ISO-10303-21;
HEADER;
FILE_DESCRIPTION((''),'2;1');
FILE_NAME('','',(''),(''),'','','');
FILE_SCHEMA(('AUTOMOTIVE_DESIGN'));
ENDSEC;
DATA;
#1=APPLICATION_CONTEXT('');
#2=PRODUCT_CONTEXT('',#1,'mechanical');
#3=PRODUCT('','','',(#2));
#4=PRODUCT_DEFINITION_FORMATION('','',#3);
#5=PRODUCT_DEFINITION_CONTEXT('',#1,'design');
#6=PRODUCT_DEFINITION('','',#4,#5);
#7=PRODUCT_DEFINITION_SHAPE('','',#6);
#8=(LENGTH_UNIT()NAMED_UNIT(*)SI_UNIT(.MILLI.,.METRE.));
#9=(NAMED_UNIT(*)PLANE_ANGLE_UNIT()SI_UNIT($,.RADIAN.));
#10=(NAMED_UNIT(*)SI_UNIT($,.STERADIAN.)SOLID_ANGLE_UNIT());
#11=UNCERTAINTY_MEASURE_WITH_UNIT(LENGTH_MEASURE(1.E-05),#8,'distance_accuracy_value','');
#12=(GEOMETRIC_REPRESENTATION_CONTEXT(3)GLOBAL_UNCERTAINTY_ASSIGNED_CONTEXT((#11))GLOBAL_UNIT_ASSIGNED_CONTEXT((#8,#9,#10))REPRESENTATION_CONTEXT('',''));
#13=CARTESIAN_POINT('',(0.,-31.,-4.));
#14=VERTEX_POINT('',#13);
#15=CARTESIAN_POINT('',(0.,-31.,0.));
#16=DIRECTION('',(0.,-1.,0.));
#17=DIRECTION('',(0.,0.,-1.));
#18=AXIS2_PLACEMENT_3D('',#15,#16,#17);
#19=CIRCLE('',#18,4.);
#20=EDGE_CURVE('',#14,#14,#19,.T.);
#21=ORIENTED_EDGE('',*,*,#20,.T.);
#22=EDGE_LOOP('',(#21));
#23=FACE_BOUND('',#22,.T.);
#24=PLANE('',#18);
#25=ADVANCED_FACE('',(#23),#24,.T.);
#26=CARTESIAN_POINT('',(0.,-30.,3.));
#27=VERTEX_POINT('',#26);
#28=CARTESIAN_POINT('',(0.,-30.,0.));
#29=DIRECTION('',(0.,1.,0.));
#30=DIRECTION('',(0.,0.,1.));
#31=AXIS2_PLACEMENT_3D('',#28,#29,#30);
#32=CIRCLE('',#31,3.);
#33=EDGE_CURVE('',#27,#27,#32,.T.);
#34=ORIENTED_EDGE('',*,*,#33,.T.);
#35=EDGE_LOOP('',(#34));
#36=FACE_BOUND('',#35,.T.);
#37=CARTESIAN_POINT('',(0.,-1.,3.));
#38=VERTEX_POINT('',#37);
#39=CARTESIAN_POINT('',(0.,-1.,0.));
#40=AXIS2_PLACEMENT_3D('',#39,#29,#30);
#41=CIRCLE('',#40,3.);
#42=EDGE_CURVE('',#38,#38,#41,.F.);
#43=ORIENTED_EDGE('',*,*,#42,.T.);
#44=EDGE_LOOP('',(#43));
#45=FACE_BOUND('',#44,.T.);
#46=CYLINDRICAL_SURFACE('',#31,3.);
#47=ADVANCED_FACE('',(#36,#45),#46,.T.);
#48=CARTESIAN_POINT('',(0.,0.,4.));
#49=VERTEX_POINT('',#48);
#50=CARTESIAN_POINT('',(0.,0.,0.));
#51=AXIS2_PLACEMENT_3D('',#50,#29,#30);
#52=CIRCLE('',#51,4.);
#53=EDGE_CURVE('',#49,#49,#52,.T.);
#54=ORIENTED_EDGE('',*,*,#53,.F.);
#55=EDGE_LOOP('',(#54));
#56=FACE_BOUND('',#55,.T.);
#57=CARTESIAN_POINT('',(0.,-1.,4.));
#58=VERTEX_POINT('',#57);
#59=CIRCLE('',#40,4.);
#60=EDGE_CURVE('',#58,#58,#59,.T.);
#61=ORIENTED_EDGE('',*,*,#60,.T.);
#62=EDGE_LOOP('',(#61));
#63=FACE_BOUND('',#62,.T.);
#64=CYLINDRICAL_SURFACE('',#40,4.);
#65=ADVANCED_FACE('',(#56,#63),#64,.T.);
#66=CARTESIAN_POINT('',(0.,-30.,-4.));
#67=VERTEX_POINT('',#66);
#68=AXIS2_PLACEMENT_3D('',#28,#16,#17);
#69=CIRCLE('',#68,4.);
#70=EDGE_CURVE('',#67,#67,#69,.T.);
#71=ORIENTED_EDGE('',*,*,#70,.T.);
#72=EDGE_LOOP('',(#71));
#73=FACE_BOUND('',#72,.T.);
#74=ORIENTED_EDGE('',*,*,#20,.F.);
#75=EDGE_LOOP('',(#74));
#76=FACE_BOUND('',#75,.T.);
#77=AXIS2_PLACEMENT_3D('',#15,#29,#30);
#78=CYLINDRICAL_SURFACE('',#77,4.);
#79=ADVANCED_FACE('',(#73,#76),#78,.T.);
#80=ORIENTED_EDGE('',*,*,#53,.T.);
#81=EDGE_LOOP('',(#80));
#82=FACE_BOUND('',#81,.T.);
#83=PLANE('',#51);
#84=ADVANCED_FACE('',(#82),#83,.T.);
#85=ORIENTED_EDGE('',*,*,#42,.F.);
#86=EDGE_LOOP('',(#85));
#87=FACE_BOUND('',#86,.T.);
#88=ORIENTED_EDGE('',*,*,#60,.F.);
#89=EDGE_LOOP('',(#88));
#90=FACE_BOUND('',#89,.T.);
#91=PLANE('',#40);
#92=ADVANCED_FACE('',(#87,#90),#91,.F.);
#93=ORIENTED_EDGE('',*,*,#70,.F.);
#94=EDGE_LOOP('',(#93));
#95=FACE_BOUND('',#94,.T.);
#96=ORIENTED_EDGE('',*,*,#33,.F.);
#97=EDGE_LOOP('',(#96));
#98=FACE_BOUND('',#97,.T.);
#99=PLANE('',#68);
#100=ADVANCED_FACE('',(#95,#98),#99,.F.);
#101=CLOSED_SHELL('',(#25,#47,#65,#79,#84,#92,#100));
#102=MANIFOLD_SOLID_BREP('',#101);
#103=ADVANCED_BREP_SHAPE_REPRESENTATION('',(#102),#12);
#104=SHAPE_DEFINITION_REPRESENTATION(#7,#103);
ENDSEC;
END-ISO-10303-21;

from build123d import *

# Parameters (mm, degrees)
SKETCH1_R           = 3
BOSS_EXTRUDE1_DEPTH = 30
SKETCH2_R           = 4
BOSS_EXTRUDE2_DEPTH = 1
SKETCH3_R           = 4
BOSS_EXTRUDE3_DEPTH = 1


with BuildPart() as part:
    # Sketch1 → Boss-Extrude1 (new body)
    with BuildSketch(Plane(origin=(0, 0, 0), x_dir=(1, 0, 0), z_dir=(0, 1, 0))):
        with Locations(Location((0, 0, 0), (0, 0, 270))):
            Circle(SKETCH1_R)
    extrude(amount=-BOSS_EXTRUDE1_DEPTH)

    # Sketch2 → Boss-Extrude2 (add)
    with BuildSketch(Plane(origin=(0, 0, 0), x_dir=(1, 0, 0), z_dir=(0, 1, 0))):
        with Locations(Location((0, 0, 0), (0, 0, 270))):
            Circle(SKETCH2_R)
    extrude(amount=-BOSS_EXTRUDE2_DEPTH)

    # Sketch3 → Boss-Extrude3 (add)
    with BuildSketch(Plane.XZ.offset(30)):
        with Locations(Location((0, 0, 0), (0, 0, 90))):
            Circle(SKETCH3_R)
    extrude(amount=BOSS_EXTRUDE3_DEPTH)


solid = part.part
